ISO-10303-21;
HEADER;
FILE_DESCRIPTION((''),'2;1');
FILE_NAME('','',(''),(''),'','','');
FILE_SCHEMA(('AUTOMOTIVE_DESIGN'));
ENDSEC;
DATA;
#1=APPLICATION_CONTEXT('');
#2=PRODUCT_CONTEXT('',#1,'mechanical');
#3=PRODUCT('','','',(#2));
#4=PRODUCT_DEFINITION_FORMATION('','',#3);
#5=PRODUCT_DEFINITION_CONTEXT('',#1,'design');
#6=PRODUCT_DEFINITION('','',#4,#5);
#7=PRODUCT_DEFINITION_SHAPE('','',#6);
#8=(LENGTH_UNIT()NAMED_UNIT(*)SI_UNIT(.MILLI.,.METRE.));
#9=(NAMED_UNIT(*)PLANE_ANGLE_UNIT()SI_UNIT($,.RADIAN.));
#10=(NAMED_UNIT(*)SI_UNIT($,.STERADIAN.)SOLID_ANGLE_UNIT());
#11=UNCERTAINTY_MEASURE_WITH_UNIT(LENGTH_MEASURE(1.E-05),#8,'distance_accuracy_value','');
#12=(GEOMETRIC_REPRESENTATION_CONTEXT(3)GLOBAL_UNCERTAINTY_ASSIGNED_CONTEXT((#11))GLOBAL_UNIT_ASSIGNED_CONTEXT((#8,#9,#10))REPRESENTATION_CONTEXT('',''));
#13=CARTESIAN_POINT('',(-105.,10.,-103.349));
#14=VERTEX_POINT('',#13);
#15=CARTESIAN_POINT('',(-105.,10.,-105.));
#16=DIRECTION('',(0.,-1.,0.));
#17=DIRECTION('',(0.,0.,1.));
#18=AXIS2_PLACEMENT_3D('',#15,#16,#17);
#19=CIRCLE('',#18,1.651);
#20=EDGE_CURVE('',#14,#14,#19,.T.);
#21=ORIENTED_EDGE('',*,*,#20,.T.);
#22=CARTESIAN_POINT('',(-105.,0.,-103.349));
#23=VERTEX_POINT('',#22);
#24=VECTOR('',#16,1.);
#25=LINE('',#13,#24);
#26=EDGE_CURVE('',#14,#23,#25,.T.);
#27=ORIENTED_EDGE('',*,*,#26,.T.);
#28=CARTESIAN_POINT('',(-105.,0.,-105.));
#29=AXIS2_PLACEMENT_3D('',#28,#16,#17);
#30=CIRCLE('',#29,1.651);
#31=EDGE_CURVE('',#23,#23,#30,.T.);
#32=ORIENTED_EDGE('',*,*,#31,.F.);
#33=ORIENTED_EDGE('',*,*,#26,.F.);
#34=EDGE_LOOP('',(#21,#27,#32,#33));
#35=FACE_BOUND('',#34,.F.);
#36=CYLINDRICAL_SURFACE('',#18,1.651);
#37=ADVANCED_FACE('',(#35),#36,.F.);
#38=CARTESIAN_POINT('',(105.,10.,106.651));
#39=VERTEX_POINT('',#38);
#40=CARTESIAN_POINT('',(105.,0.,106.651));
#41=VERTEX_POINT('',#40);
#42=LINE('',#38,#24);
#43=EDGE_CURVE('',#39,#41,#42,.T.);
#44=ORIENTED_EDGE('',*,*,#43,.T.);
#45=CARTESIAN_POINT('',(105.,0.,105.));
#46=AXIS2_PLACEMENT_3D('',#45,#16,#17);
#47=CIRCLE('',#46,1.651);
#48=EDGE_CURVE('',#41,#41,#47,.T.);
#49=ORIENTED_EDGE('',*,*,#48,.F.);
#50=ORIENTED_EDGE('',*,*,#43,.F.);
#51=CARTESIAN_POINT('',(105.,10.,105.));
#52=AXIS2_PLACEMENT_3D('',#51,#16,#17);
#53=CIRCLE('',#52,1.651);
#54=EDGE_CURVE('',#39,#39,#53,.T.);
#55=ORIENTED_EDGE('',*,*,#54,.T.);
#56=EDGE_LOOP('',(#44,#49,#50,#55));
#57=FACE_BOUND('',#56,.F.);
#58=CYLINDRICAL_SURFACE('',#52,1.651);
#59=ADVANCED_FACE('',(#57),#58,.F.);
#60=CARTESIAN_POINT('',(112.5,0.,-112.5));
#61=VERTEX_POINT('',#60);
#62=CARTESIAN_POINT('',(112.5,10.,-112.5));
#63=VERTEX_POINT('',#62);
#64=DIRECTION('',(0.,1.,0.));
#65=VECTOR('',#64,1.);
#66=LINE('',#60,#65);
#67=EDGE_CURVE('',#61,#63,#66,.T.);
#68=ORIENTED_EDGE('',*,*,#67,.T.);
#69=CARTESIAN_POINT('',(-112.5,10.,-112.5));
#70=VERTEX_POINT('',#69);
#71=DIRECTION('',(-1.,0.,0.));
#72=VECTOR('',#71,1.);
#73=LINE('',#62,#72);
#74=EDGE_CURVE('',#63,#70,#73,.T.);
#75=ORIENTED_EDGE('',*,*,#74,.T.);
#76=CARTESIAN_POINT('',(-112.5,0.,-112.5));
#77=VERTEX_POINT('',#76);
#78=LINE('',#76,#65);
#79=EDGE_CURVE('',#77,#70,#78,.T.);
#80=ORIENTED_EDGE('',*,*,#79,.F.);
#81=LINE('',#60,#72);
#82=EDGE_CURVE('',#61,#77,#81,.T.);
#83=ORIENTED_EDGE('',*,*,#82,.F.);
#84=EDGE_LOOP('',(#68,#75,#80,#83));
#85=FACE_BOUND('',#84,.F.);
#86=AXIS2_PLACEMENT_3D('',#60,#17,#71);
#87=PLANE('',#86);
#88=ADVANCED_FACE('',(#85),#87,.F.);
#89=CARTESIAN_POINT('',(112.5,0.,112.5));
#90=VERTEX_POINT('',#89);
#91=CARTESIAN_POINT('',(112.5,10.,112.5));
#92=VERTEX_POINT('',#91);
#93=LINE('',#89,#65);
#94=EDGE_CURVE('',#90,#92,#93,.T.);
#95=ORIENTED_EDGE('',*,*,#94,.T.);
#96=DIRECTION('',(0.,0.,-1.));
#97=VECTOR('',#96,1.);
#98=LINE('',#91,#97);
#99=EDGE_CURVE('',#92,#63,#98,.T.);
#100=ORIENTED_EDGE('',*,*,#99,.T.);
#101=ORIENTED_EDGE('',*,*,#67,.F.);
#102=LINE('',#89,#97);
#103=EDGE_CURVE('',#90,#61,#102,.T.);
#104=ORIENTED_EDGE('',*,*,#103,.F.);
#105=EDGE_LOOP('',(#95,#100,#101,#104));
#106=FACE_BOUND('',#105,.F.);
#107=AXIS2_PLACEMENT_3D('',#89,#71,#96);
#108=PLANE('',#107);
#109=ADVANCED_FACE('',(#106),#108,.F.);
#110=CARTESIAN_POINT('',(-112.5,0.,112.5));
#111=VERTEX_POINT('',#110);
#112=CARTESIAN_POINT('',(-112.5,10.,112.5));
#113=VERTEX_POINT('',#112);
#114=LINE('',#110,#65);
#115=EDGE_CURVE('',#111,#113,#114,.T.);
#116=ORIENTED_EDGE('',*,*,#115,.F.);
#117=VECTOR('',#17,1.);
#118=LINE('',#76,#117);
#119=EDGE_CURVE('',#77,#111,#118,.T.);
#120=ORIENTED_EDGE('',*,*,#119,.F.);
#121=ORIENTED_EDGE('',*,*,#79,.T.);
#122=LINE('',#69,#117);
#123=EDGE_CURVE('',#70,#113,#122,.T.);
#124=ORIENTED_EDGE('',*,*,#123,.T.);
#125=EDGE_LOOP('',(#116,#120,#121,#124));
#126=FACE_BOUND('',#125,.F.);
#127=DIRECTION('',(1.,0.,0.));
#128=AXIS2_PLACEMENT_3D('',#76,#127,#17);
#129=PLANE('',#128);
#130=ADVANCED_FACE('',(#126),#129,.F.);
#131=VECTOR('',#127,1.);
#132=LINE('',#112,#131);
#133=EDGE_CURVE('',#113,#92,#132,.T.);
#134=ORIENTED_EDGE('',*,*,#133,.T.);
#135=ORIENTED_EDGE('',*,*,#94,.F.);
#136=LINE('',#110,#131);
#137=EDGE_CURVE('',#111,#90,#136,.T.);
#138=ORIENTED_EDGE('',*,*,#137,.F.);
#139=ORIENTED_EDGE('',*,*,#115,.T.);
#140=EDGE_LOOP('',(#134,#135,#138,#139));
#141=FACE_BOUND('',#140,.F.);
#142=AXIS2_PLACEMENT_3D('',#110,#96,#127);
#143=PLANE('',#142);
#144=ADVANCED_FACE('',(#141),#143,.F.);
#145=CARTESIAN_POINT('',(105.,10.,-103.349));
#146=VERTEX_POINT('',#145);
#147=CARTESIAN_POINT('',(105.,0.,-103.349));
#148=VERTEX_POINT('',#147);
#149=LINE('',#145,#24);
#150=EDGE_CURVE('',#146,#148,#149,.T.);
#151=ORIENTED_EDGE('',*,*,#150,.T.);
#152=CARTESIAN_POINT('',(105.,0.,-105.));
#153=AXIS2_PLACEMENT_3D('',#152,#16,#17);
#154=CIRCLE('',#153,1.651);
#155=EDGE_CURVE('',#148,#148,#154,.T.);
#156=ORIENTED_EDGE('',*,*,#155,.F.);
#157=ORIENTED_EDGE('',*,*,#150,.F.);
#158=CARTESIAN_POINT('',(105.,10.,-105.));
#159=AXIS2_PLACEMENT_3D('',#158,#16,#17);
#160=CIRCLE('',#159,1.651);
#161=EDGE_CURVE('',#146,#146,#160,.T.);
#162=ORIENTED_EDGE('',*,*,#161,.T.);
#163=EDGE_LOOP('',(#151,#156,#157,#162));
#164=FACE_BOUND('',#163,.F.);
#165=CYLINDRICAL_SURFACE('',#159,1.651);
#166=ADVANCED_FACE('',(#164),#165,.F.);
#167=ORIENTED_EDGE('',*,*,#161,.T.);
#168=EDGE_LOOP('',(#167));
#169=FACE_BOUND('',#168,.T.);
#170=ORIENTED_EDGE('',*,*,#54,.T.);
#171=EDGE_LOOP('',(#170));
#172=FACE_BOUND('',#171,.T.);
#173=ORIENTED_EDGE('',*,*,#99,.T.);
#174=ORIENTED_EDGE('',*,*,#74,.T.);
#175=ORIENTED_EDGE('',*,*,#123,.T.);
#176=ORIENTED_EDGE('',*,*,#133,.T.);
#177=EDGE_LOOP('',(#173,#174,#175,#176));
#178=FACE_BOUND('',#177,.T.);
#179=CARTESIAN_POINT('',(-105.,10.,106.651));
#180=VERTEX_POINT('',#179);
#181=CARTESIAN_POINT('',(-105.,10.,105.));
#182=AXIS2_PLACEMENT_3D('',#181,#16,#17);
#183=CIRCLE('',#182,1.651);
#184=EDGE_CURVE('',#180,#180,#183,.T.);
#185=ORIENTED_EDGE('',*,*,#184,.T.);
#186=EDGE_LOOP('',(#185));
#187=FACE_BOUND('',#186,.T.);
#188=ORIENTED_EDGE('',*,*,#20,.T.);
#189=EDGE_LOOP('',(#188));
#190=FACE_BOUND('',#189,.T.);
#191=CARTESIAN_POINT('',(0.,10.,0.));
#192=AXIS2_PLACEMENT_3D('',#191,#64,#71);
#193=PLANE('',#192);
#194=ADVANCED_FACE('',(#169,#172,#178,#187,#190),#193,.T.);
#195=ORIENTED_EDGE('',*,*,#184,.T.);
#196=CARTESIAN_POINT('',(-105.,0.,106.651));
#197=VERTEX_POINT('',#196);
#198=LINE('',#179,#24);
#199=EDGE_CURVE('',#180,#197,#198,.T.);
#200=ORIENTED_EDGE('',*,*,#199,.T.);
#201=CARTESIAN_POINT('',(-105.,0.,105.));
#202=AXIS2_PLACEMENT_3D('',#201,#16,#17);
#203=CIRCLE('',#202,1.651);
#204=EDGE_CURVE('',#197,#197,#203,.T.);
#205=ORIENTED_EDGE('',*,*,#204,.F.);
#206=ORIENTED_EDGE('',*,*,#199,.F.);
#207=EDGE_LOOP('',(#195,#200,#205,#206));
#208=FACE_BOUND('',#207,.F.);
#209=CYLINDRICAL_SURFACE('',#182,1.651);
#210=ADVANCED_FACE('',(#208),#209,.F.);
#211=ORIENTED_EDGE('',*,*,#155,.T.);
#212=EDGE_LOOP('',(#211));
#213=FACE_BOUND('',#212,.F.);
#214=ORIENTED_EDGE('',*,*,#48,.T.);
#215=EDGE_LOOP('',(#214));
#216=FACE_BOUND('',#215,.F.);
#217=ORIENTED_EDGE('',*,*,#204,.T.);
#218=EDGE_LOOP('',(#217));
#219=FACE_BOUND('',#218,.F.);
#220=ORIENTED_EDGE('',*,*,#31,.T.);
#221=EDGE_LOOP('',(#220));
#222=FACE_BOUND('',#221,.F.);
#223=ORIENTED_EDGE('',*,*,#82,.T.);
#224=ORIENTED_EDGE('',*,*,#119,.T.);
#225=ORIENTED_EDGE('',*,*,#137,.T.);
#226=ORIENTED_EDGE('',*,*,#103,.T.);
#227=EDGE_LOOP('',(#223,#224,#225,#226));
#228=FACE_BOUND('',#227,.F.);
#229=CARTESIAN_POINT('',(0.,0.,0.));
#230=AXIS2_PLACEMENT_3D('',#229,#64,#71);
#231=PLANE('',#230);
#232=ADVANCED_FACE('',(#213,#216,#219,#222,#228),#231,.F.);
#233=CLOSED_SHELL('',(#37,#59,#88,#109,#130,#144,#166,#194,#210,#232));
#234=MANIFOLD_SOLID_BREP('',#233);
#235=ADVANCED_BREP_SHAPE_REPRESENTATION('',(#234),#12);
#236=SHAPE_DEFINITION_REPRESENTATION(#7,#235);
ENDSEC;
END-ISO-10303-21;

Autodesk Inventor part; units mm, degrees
ref_plane "YZ Plane" through (0, 0, 0) normal (1, 0, 0) x (0, 1, 0)
ref_plane "XZ Plane" through (0, 0, 0) normal (0, 1, 0) x (-1, 0, 0)
ref_plane "XY Plane" through (0, 0, 0) normal (0, 0, 1) x (1, 0, 0)
sketch "Sketch1" plane through (0, 0, 0) normal (0, 1, 0) x (-1, 0, 0)
  line L0 (112.5, 112.5) -> (-112.5, 112.5)
  line L1 (-112.5, 112.5) -> (-112.5, -112.5)
  line L2 (-112.5, -112.5) -> (112.5, -112.5)
  line L3 (112.5, -112.5) -> (112.5, 112.5)
  point P0 (0, 0)
  dimension "d0" = 225
  dimension "d1" = 225
extrude "Extrusion1" add sketch "Sketch1" along normal blind 10
sketch "Sketch2" plane through (0, 10, 0) normal (0, 1, 0) x (1, 0, 0)
  line L0 (-112.5, -112.5) -> (112.5, -112.5) projected
  line L1 (112.5, -112.5) -> (112.5, -105)
  line L2 (112.5, -112.5) -> (112.5, 112.5) projected
  line L3 (112.5, -105) -> (105, -105)
  line L4 (105, -105) -> (105, 105)
  line L5 (105, 105) -> (-105, 105)
  line L6 (-105, 105) -> (-105, -105)
  line L7 (-105, -105) -> (105, -105)
  point P0 (0, 0)
  dimension "d4" = 7.5
  dimension "d5" = 7.5
  dimension "d6" = 210
  dimension "d7" = 90
  dimension "d8" = 210
  dimension "d9" = 90
  dimension "d10" = 210
  dimension "d11" = 90
hole "Hole1" at (-105, 10, 105) at (-105, 10, -105) at (105, 10, -105) at (105, 10, 105) direction (0, -1, 0) diameter 3.302 depth 12.3 thread size "8-32 UNC" class "2B" standard "ANSI Unified Screw Threads"
properties part number "bakeoutbox lid"
